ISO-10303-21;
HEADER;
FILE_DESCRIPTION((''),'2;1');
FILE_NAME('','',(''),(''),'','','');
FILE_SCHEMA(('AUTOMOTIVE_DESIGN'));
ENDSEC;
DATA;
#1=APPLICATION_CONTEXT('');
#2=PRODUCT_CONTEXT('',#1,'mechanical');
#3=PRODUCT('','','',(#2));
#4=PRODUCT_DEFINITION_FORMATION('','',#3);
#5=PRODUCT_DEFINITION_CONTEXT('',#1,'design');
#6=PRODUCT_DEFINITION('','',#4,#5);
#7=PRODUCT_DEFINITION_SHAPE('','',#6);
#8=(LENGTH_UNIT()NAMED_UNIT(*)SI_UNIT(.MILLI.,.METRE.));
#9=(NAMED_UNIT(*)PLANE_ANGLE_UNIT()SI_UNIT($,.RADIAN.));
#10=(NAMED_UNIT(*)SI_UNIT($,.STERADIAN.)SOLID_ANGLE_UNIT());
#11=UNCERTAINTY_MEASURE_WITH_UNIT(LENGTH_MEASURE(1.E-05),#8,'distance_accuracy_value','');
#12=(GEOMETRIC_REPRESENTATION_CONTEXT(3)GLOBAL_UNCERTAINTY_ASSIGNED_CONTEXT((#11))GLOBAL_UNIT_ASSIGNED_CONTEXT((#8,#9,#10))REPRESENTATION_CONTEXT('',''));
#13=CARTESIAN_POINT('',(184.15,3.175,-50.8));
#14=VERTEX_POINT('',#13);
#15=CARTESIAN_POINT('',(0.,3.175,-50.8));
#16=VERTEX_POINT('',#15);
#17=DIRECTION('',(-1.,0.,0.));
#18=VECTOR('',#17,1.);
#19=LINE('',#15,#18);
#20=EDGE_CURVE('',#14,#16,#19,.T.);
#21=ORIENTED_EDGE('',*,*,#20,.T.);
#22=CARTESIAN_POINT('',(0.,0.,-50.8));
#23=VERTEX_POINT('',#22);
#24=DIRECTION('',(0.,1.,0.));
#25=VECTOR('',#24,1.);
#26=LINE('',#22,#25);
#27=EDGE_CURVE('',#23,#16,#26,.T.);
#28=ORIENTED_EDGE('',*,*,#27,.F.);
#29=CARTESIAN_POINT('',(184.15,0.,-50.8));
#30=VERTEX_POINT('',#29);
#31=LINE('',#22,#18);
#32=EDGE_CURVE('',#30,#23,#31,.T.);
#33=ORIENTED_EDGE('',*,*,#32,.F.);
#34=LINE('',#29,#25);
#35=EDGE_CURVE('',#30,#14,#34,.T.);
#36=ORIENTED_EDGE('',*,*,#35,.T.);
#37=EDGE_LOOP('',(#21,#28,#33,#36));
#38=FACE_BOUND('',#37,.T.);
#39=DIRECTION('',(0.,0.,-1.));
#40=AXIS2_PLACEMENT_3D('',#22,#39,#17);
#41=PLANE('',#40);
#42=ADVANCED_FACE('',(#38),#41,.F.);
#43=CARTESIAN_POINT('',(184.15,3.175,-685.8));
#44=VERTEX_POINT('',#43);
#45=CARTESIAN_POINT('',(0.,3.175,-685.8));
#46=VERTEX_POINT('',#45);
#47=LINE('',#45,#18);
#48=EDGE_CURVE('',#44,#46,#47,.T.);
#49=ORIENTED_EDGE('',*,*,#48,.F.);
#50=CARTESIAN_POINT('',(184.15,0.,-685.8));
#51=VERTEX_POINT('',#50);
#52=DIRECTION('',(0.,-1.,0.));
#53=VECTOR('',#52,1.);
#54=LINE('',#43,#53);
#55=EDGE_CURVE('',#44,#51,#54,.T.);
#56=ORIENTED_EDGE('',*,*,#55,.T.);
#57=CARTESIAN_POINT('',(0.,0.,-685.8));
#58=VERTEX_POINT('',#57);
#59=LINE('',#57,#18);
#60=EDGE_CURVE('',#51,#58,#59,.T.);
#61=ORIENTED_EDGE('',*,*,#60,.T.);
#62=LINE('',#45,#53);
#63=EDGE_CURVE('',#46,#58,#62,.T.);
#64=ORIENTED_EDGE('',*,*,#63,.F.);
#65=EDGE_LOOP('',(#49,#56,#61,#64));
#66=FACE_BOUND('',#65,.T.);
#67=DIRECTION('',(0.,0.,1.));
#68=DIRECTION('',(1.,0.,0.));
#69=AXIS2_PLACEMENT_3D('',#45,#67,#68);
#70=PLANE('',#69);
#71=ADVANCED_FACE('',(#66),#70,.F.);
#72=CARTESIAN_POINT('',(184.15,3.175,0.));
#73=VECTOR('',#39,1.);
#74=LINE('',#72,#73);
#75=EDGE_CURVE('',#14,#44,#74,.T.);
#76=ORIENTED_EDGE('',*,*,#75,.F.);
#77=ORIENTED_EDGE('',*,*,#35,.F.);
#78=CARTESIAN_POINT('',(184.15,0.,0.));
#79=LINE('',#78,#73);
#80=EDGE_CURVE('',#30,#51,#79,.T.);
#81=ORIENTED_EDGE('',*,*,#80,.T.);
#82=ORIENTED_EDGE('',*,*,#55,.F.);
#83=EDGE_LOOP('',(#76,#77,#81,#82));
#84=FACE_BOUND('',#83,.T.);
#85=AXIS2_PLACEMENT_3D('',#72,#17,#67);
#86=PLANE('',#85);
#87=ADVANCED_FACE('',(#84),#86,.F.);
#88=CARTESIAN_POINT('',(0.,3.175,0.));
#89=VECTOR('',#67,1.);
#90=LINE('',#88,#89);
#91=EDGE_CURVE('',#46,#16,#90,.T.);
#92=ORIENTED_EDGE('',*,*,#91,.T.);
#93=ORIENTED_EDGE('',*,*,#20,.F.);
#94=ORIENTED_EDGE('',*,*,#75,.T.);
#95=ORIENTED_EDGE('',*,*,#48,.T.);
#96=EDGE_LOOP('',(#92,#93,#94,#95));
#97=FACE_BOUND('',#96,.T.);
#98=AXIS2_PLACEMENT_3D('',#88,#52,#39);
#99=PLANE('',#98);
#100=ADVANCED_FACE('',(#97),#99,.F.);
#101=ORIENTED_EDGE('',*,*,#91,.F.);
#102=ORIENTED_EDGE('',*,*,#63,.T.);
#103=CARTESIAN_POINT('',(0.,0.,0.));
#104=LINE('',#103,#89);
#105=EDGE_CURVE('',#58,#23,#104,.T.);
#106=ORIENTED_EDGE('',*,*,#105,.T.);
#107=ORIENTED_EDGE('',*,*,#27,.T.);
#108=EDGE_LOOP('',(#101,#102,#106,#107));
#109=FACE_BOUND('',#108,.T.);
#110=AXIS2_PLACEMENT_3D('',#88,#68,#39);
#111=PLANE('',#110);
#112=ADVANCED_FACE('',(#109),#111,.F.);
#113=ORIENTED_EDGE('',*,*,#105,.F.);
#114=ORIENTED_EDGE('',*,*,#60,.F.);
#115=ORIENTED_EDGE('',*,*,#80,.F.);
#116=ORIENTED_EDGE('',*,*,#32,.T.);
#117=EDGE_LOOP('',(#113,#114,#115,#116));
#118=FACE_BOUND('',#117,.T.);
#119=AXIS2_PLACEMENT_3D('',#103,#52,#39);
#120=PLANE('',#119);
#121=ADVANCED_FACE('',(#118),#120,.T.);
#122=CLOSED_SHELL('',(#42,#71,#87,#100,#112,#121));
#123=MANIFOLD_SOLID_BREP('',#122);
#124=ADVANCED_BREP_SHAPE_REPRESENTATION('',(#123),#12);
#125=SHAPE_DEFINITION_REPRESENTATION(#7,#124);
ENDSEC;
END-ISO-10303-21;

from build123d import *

# Parameters (mm, degrees)
SKETCH1_W           = 184.15
SKETCH1_H           = 685.8
BOSS_EXTRUDE1_DEPTH = 3.175
SKETCH2_W           = 184.15
SKETCH2_H           = 50.8
CUT_EXTRUDE1_DEPTH  = 711.100657037


with BuildPart() as part:
    # Sketch1 → Boss-Extrude1 (new body)
    with BuildSketch(Plane(origin=(0, 0, 0), x_dir=(1, 0, 0), z_dir=(0, 1, 0))):
        with Locations((92.075, 342.9)):
            Rectangle(SKETCH1_W, SKETCH1_H)
    extrude(amount=BOSS_EXTRUDE1_DEPTH)

    # Sketch2 → Cut-Extrude1 (cut, through all)
    with BuildSketch(Plane(origin=(0, 3.175, 0), x_dir=(1, 0, 0), z_dir=(0, 1, 0))):
        with Locations((92.075, 25.4)):
            Rectangle(SKETCH2_W, SKETCH2_H)
    extrude(amount=-CUT_EXTRUDE1_DEPTH, mode=Mode.SUBTRACT)


solid = part.part
